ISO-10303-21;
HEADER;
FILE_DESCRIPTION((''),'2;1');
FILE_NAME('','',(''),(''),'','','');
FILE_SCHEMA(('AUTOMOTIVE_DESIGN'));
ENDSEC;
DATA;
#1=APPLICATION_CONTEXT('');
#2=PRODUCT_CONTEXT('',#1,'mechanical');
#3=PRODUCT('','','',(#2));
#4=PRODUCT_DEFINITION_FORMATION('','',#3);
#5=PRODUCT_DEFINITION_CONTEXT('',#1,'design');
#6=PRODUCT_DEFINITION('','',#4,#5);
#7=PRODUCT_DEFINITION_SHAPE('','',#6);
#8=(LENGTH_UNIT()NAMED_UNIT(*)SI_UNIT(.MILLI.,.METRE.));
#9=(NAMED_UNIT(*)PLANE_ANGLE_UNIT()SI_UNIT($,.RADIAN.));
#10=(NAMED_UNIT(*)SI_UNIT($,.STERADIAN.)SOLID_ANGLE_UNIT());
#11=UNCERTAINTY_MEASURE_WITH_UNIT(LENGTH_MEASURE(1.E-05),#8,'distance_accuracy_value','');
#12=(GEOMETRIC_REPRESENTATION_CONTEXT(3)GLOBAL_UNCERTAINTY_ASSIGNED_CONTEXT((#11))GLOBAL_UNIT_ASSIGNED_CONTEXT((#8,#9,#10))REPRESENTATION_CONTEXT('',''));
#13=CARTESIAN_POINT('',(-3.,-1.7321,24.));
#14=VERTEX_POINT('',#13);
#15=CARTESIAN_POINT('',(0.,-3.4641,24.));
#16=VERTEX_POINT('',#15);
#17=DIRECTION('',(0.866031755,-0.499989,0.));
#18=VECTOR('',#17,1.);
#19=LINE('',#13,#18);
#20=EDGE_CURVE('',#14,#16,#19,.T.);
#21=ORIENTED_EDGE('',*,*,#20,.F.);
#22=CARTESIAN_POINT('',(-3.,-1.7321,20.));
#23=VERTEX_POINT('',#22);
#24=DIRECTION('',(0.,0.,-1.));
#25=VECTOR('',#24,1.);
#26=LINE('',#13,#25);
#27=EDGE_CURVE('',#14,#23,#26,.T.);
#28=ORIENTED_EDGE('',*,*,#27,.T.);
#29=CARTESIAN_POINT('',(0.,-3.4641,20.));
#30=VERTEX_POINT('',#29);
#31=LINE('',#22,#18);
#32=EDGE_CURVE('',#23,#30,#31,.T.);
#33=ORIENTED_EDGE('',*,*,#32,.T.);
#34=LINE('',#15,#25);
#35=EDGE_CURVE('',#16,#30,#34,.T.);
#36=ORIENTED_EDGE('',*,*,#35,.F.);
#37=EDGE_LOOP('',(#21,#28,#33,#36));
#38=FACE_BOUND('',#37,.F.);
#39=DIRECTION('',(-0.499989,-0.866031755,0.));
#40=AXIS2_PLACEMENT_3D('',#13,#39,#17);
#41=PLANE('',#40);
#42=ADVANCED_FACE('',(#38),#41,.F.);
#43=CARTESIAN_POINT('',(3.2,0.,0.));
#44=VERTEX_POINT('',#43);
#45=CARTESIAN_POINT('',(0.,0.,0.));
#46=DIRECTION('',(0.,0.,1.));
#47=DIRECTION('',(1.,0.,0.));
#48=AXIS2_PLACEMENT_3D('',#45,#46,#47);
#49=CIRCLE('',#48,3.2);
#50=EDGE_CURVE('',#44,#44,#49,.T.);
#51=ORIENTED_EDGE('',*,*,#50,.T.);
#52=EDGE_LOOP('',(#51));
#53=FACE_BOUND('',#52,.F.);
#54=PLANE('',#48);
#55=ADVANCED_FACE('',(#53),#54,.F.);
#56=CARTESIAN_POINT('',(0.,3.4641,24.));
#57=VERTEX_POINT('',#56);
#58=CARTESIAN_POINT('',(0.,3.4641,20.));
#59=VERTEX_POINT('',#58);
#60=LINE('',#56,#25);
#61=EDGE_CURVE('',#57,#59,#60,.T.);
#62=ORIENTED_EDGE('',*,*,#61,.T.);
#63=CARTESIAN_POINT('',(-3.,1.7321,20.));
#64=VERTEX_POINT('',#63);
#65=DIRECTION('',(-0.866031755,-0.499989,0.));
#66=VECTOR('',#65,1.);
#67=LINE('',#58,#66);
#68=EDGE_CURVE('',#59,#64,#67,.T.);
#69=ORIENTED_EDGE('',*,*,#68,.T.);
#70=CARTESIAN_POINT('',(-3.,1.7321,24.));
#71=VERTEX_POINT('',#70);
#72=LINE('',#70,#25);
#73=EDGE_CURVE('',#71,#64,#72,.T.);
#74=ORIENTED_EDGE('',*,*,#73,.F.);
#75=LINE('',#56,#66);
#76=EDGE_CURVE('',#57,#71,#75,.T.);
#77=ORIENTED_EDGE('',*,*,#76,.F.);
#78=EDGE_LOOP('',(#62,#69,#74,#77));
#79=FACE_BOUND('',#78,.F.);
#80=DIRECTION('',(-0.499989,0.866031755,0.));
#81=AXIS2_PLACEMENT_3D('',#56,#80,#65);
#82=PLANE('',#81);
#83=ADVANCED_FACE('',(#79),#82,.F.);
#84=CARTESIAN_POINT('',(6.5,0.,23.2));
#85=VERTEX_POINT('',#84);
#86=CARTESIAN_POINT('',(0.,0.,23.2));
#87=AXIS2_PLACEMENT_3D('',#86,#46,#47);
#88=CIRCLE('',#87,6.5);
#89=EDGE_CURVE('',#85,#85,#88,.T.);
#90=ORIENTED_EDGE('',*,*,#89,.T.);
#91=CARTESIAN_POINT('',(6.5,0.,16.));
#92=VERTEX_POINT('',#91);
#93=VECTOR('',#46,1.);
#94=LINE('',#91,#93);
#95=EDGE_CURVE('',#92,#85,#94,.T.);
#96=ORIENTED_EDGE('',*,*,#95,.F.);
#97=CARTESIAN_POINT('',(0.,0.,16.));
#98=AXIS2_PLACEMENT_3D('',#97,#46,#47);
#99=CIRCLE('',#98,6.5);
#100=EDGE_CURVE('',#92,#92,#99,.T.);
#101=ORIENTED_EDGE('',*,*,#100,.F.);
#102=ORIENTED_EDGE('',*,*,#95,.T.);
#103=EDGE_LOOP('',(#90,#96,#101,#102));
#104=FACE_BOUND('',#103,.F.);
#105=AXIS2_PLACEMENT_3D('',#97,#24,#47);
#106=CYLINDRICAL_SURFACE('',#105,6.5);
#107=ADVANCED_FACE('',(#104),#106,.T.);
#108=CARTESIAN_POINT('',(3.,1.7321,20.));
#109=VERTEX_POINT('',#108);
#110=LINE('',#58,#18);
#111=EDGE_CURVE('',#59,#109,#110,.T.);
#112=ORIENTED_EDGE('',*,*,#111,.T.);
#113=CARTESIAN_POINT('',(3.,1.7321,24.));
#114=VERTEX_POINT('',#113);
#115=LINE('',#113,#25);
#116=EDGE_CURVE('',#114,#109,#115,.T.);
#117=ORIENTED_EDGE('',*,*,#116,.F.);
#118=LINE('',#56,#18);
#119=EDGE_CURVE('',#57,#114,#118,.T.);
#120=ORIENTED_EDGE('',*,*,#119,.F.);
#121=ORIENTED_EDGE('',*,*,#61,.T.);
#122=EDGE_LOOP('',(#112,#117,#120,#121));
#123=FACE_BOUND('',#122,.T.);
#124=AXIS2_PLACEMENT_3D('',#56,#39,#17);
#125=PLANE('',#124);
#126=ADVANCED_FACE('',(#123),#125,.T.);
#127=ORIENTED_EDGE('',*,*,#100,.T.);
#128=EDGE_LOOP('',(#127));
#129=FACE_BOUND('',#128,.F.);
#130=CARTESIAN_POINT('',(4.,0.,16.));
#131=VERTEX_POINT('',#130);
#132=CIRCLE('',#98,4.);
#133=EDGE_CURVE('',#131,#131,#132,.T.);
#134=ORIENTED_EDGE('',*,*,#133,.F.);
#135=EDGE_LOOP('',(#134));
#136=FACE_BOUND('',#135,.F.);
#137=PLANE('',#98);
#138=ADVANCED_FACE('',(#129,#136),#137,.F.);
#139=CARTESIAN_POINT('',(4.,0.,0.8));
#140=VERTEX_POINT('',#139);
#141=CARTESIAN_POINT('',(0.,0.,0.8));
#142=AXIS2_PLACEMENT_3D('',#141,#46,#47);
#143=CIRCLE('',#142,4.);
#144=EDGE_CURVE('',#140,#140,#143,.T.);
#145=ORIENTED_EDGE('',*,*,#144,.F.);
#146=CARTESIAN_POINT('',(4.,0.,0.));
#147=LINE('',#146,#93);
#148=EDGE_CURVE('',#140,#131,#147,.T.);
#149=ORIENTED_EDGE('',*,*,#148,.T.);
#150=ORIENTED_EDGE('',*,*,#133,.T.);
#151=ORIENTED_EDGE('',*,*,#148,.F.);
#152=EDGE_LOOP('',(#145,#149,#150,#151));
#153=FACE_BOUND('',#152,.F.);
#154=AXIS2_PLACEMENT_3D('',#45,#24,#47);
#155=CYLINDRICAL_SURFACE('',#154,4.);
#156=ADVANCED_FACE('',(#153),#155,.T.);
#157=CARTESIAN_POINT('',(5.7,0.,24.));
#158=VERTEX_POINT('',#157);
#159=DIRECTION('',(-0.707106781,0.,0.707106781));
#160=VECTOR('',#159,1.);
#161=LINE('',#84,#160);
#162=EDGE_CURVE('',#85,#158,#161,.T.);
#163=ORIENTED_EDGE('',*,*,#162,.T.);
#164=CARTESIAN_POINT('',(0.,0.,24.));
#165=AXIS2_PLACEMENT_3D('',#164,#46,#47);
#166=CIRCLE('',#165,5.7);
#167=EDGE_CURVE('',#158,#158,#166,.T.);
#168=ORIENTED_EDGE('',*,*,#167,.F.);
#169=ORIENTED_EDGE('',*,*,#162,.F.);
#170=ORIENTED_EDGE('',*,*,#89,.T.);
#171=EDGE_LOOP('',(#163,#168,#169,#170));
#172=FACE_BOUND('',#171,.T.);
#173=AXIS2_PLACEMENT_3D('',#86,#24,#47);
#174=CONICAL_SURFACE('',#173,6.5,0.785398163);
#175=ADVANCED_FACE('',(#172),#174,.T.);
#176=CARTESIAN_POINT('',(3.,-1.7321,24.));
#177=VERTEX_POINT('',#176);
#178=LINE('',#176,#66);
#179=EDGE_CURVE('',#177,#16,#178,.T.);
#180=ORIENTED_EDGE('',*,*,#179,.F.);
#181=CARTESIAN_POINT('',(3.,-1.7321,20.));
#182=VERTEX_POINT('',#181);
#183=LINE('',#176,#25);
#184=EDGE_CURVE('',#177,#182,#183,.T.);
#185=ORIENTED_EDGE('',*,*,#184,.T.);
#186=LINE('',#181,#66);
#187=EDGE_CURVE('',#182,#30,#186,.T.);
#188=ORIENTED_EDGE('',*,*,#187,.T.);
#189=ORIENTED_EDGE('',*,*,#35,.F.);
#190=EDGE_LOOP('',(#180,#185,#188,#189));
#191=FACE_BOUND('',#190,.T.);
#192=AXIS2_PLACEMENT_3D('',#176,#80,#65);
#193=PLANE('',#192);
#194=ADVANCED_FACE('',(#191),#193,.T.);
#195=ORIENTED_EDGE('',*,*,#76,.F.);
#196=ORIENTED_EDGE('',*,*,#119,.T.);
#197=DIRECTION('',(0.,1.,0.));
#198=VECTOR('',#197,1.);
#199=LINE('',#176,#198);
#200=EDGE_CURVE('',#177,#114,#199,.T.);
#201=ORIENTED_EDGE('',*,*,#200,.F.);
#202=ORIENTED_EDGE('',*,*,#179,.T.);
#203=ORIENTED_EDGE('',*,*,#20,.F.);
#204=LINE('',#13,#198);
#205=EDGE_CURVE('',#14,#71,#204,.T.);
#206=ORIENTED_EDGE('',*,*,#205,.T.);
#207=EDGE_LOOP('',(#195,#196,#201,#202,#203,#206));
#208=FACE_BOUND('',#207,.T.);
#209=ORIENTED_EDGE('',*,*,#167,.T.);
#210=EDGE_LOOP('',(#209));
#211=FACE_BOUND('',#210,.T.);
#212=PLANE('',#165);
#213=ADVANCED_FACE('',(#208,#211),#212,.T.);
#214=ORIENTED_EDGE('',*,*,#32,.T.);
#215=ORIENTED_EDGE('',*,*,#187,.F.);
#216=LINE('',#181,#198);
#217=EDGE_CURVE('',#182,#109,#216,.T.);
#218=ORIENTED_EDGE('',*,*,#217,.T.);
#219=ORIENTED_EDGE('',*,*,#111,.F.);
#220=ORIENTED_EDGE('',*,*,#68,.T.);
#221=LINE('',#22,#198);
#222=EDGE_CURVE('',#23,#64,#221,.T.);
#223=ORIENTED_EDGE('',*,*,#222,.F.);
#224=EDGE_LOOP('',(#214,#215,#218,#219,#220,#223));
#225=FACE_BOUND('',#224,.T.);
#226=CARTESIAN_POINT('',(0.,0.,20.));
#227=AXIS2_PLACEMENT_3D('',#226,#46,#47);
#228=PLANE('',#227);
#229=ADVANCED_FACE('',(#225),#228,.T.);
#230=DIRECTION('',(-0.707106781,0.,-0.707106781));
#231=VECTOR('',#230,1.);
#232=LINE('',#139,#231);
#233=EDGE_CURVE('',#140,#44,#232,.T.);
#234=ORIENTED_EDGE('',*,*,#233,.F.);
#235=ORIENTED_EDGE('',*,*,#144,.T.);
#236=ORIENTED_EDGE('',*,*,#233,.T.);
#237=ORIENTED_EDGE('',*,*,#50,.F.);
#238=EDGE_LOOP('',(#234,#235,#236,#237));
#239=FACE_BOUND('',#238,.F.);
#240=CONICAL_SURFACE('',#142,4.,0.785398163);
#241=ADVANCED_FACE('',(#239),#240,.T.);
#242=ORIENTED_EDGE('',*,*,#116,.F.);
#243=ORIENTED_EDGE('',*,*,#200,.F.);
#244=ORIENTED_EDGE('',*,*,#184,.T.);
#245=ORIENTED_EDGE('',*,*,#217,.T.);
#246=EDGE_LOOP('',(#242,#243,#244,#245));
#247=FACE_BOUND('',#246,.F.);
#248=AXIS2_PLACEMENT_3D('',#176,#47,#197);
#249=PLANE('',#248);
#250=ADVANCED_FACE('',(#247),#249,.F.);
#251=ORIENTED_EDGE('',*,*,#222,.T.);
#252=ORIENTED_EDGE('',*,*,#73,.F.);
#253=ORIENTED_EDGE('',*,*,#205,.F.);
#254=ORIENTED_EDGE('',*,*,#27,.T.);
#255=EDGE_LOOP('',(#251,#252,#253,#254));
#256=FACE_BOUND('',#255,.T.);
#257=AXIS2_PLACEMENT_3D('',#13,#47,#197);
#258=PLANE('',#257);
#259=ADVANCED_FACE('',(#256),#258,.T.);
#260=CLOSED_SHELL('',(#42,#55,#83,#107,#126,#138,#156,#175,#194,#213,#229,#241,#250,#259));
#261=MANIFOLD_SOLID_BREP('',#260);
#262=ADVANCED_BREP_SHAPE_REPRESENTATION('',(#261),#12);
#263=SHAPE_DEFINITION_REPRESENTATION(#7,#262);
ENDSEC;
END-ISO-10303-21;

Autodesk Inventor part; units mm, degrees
ref_plane "YZ Plane" through (0, 0, 0) normal (1, 0, 0) x (0, 1, 0)
ref_plane "XZ Plane" through (0, 0, 0) normal (0, 1, 0) x (-1, 0, 0)
ref_plane "XY Plane" through (0, 0, 0) normal (0, 0, 1) x (1, 0, 0)
sketch "Sketch1" plane through (0, 0, 0) normal (0, 0, 1) x (1, 0, 0)
  circle A0 centre (0, 0) radius 4
  dimension "Diameter" = 8
extrude "Extrusion1" add sketch "Sketch1" along normal blind 16
sketch "Sketch2" plane through (0, 0, 16) normal (0, 0, 1) x (1, 0, 0)
  circle A0 centre (0, 0) radius 4 projected
  circle A1 centre (0, 0) radius 6.5
  dimension "Head_Diameter" = 13
extrude "Extrusion2" add sketch "Sketch2" along normal blind 8 contours A0 | A1
sketch "Sketch3" plane through (0, 0, 24) normal (0, 0, 1) x (1, 0, 0)
  circle A0 centre (0, 0) radius 6.5 projected
  circle A1 centre (0, 0) radius 3.4641 construction
  line L0 (0, 3.4641) -> (3, 1.7321)
  line L1 (3, -1.7321) -> (3, 1.7321)
  line L2 (0, 3.4641) -> (-3, 1.7321)
  line L3 (-3, -1.7321) -> (-3, 1.7321)
  line L4 (-3, -1.7321) -> (0, -3.4641)
  line L5 (3, -1.7321) -> (0, -3.4641)
  dimension "Hex_Width" = 6
extrude "Extrusion3" cut sketch "Sketch3" against normal blind 4 contours L0 L1 L5 L4 L3 L2
thread "Thread1" size "M8x1.25" class "4g6g" standard "ANSI Metric M Profile" length 16
chamfer "Chamfer1" distance 0.8 angle 45 2 edges at (-6.5, 0, 24) (-4, 0, 0)
equation "\"d9\" = ThreadLength"
equation "\"d12\" = Chamfer"
equation "\"ThreadLength\" = 16"
equation "\"Chamfer\" = 0.8"
properties part number "SCREW,SOCKET HD,P,12.9,M8X1.25X16MM"
